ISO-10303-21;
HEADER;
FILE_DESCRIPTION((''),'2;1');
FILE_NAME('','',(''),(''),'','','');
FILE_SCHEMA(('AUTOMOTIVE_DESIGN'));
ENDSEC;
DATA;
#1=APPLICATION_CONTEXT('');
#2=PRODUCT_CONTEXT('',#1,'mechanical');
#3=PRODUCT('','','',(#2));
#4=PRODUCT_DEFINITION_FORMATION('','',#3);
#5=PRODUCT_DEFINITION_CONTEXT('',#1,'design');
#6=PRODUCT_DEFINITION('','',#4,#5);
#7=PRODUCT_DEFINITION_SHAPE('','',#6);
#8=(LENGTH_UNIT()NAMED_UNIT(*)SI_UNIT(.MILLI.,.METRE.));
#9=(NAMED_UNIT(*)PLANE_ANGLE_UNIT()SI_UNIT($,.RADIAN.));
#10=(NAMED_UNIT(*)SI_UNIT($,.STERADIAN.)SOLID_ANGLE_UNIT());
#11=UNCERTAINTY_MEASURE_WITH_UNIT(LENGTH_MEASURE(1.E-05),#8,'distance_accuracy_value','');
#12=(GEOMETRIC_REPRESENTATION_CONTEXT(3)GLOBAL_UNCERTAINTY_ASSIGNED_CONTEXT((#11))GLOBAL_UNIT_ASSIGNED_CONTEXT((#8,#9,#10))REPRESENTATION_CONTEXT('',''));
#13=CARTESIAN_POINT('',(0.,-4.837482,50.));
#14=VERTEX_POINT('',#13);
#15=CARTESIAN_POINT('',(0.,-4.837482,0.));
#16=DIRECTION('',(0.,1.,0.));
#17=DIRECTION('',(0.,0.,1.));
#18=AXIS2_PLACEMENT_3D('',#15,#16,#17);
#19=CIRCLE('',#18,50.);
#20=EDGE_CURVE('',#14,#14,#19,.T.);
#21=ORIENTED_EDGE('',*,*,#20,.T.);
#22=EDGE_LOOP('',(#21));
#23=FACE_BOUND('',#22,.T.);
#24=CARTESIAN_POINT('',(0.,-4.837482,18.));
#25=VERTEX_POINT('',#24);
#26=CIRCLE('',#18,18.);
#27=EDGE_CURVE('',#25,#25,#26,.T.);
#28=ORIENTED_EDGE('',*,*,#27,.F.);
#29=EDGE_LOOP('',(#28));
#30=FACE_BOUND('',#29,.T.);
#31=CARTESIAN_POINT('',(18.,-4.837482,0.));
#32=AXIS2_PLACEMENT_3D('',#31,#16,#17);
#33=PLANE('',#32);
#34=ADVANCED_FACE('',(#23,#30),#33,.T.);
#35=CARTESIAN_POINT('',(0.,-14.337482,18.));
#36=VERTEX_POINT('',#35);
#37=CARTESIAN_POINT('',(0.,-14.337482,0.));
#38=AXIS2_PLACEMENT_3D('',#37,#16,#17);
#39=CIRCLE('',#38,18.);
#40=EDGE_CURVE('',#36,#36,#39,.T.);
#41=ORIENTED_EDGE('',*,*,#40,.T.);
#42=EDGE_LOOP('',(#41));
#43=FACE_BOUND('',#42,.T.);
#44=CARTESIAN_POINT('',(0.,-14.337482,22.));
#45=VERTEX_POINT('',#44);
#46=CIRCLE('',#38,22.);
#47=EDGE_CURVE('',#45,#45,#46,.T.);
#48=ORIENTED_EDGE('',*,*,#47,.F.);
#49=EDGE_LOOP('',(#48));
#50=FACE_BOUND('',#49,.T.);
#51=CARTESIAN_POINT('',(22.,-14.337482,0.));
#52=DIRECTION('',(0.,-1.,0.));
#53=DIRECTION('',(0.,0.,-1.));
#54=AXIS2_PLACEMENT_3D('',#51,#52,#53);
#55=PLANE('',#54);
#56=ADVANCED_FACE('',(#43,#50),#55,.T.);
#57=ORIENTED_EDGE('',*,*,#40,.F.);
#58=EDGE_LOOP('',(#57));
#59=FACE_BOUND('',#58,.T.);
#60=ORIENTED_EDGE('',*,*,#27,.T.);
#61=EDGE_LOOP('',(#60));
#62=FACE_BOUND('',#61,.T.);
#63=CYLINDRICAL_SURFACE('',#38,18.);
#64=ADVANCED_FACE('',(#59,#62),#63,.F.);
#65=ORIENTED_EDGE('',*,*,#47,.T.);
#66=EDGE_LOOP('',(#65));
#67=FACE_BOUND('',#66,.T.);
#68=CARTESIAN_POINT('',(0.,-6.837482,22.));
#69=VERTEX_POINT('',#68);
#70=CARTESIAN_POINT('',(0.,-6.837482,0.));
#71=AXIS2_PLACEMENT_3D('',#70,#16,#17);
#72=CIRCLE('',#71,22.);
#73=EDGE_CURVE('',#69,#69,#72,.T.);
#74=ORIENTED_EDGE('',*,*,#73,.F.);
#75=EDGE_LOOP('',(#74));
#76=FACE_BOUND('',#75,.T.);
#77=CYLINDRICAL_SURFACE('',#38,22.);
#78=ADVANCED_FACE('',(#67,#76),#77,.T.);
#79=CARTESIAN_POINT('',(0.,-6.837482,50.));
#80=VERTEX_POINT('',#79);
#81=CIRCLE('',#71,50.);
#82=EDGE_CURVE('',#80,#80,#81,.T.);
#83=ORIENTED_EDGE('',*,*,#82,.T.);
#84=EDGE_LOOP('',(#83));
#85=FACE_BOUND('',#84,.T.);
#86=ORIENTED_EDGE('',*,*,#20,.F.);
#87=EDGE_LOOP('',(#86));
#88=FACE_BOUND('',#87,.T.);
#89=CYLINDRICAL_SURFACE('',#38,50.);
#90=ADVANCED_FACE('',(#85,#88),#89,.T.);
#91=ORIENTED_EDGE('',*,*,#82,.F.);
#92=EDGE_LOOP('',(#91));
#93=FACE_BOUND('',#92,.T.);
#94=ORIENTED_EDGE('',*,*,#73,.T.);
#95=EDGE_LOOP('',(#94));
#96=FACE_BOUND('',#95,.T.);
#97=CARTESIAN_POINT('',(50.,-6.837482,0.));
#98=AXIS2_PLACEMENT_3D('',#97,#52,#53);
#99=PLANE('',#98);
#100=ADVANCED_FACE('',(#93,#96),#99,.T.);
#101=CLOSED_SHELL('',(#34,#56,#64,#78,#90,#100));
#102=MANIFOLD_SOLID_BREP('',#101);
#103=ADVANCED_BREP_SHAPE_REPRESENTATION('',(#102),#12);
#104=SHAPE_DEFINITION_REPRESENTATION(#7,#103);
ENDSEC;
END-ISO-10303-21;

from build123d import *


with BuildPart() as part:
    # Esquisse1 → Révolution1 (revolve)
    with BuildSketch(Plane(origin=(0, 0, 0), x_dir=(-1, 0, 0), z_dir=(0, 0, -1)), mode=Mode.PRIVATE) as r_volution1_sk:
        Polygon((-22, -6.837481737), (-22, -14.337481737), (-18, -14.337481737), (-18, -4.837481737), (-50, -4.837481737), (-50, -6.837481737), align=None)
    revolve(r_volution1_sk.sketch.rotate(Axis((0, -14.337481737, 0), (0, 1, 0)), 270), axis=Axis((0, -14.337481737, 0), (0, 1, 0)))


solid = part.part
